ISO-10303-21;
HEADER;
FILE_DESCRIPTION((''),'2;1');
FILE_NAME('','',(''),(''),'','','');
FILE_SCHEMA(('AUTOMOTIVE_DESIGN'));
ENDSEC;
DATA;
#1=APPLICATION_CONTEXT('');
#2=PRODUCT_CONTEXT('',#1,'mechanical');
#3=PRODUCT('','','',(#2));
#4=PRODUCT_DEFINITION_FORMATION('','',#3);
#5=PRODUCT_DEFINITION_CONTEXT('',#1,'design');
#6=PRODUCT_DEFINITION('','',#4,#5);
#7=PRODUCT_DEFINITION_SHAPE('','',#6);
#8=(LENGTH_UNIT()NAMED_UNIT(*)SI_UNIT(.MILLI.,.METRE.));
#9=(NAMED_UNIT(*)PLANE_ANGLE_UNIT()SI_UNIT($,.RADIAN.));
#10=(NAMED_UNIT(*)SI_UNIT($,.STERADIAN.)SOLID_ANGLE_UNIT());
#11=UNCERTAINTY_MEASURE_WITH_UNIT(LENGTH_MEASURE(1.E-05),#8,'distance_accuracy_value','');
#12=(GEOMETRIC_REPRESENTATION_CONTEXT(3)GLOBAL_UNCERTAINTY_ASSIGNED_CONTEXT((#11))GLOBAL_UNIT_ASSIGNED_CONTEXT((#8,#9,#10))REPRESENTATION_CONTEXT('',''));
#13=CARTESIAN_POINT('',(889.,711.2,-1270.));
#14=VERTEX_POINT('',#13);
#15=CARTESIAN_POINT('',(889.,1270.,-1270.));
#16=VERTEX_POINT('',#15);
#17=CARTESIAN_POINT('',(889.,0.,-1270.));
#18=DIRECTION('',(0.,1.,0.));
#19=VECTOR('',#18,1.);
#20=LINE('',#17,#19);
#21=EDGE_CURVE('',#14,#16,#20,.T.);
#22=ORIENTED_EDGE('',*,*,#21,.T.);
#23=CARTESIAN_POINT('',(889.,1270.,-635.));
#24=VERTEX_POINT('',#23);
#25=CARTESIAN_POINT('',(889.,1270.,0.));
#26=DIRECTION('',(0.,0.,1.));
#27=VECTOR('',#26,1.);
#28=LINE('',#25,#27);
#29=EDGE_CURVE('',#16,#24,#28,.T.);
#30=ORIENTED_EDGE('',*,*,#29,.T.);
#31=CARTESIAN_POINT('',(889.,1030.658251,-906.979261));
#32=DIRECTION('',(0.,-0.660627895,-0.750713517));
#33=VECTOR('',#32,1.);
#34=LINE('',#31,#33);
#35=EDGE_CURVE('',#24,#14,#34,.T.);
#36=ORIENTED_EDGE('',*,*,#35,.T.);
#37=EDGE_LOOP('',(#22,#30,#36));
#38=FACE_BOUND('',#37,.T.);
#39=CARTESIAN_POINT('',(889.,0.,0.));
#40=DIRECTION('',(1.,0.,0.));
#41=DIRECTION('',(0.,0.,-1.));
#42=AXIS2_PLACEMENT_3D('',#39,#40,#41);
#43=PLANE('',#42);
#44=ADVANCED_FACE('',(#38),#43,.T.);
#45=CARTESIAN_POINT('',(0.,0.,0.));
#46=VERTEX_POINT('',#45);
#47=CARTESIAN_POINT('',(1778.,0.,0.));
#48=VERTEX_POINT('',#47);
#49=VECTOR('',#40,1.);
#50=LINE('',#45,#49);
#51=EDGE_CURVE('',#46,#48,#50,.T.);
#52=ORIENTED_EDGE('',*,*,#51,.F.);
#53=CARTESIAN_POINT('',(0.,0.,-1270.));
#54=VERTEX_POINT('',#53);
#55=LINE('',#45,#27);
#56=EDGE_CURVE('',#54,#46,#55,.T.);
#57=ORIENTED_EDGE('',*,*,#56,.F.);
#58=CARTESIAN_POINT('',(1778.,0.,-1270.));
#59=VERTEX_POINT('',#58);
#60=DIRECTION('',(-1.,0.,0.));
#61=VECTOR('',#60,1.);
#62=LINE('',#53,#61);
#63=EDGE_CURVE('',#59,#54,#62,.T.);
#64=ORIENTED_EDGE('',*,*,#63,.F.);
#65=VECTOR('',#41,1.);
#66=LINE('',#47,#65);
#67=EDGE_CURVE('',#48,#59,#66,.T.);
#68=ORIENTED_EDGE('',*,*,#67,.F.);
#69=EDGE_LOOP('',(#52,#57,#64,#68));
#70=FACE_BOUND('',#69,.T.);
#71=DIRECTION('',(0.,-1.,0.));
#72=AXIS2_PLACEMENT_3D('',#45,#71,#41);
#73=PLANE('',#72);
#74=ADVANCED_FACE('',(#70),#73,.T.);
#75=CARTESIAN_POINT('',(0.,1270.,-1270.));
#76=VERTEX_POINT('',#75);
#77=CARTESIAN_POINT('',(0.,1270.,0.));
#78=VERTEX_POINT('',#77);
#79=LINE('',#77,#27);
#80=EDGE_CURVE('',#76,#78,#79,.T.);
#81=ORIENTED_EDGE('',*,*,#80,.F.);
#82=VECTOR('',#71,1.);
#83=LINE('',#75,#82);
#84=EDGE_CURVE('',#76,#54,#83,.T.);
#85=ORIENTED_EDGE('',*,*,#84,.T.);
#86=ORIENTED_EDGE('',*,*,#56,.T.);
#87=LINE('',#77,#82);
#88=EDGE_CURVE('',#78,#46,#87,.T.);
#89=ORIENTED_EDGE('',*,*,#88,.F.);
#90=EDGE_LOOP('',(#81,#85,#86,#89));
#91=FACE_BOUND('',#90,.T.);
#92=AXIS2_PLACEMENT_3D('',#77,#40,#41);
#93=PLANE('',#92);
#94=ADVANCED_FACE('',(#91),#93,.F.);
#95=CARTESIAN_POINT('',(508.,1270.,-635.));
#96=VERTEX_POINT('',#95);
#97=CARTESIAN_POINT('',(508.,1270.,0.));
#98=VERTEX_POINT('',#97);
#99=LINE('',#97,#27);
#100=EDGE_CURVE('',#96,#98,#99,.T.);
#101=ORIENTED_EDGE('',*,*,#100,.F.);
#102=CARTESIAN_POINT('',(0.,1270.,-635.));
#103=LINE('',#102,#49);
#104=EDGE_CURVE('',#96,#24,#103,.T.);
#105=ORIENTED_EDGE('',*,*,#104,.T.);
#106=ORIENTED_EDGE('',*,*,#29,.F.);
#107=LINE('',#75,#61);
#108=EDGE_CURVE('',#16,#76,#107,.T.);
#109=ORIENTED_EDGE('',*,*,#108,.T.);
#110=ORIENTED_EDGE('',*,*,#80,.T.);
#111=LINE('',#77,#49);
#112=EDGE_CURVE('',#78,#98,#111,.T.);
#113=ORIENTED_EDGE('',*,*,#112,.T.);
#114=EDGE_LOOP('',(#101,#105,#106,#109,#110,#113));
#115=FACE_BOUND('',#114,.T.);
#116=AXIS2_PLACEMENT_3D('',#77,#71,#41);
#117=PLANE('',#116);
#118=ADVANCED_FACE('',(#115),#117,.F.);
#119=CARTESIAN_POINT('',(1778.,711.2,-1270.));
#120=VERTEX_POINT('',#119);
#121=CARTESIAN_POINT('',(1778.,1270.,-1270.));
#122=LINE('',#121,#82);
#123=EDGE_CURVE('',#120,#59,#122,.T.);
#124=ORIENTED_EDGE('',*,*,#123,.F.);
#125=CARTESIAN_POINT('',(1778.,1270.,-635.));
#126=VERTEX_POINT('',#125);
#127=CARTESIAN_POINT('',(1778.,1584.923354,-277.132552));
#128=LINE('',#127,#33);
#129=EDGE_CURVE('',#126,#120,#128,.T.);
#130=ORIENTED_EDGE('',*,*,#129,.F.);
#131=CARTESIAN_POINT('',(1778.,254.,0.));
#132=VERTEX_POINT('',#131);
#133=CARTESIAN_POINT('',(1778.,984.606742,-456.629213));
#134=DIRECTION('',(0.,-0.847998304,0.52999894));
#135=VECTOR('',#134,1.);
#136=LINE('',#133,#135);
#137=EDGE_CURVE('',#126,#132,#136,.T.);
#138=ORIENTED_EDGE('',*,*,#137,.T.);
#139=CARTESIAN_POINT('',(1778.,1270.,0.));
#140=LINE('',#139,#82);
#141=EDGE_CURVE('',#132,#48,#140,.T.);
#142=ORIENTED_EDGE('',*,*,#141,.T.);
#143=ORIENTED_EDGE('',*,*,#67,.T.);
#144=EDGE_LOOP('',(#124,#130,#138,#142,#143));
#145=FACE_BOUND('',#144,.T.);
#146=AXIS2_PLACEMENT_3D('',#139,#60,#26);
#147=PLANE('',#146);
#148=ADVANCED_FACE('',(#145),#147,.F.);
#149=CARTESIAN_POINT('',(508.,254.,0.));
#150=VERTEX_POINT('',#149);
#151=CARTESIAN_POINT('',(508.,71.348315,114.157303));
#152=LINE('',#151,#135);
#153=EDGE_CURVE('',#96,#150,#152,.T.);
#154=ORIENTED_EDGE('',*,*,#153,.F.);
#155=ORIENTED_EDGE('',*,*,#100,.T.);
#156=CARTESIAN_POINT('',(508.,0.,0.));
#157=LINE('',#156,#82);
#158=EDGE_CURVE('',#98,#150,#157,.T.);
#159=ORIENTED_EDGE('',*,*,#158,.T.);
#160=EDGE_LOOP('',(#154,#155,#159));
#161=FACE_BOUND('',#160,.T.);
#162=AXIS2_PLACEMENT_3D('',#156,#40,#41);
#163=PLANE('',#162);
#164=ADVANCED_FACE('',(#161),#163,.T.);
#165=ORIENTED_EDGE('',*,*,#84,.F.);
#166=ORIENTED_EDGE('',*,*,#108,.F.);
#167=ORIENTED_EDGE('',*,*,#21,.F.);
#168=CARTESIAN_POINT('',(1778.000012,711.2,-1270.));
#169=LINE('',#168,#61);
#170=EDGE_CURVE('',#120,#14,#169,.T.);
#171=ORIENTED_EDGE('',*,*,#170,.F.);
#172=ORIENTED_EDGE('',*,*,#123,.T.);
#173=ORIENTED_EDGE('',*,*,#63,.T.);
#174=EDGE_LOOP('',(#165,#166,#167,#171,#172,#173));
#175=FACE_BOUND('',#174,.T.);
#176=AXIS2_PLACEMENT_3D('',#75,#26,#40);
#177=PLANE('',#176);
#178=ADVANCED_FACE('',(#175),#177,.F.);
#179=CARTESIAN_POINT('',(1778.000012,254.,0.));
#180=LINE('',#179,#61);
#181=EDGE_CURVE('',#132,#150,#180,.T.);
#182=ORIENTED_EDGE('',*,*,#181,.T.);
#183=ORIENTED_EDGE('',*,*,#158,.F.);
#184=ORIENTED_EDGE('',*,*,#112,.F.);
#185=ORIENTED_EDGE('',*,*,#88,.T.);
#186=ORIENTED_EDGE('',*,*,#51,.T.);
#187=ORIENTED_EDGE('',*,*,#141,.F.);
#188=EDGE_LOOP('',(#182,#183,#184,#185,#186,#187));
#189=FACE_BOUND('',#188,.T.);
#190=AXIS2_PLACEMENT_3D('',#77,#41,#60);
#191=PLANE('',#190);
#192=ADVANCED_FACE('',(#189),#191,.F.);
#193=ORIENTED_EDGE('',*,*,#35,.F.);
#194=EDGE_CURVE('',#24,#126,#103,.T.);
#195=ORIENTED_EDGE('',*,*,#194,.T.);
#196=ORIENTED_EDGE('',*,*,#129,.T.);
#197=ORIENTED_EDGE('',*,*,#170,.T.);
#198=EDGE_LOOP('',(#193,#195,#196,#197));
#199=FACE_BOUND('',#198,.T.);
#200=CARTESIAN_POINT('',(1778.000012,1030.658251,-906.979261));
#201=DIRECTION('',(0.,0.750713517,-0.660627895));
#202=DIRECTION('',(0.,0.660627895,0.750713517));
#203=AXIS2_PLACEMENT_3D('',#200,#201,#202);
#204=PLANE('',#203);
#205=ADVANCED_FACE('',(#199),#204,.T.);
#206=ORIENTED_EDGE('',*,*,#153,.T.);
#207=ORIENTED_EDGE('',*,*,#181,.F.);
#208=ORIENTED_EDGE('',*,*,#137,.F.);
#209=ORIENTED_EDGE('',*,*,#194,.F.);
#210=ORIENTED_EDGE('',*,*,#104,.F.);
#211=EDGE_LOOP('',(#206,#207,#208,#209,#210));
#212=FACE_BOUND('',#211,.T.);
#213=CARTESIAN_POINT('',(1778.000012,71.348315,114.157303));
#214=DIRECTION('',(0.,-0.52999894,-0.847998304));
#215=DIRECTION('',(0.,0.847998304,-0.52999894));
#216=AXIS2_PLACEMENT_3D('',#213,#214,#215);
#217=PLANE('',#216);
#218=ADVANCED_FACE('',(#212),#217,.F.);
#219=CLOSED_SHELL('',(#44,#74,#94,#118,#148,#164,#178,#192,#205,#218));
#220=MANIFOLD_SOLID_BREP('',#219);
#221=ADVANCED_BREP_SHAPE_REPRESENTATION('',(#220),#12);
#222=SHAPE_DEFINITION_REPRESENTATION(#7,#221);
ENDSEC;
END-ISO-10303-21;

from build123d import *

# Parameters (mm, degrees)
SKETCH1_W               = 1778
SKETCH1_H               = 1270
BOSS_EXTRUDE1_DEPTH     = 1270
CUT_EXTRUDE1_DEPTH      = 2528.268090251
CUT_EXTRUDE1_DEPTH_BACK = 1270
CUT_EXTRUDE2_DEPTH      = 2528.268090251
CUT_EXTRUDE2_DEPTH_BACK = 889


with BuildPart() as part:
    # Sketch1 → Boss-Extrude1 (new body)
    with BuildSketch(Plane(origin=(0, 0, 0), x_dir=(1, 0, 0), z_dir=(0, 1, 0))):
        with Locations((889, 635)):
            Rectangle(SKETCH1_W, SKETCH1_H)
    extrude(amount=BOSS_EXTRUDE1_DEPTH)

    # Sketch2 → Cut-Extrude1 (cut, two sides: drawn at the far end of the back side and taken through both)
    with BuildSketch(Plane(origin=(1778, 0, 0), x_dir=(0, 0, -1), z_dir=(1, 0, 0)).offset(-CUT_EXTRUDE1_DEPTH_BACK)):
        Polygon((0, 254), (635, 1270), (0, 1270), align=None)
    extrude(amount=CUT_EXTRUDE1_DEPTH + CUT_EXTRUDE1_DEPTH_BACK, mode=Mode.SUBTRACT)

    # Sketch2<4> → Cut-Extrude2 (cut, two sides: drawn at the far end of the back side and taken through both)
    with BuildSketch(Plane(origin=(1778, 0, 0), x_dir=(0, 0, -1), z_dir=(1, 0, 0)).offset(-CUT_EXTRUDE2_DEPTH_BACK)):
        Polygon((1270, 1270), (635, 1270), (1270, 711.2), align=None)
    extrude(amount=CUT_EXTRUDE2_DEPTH + CUT_EXTRUDE2_DEPTH_BACK, mode=Mode.SUBTRACT)


solid = part.part
